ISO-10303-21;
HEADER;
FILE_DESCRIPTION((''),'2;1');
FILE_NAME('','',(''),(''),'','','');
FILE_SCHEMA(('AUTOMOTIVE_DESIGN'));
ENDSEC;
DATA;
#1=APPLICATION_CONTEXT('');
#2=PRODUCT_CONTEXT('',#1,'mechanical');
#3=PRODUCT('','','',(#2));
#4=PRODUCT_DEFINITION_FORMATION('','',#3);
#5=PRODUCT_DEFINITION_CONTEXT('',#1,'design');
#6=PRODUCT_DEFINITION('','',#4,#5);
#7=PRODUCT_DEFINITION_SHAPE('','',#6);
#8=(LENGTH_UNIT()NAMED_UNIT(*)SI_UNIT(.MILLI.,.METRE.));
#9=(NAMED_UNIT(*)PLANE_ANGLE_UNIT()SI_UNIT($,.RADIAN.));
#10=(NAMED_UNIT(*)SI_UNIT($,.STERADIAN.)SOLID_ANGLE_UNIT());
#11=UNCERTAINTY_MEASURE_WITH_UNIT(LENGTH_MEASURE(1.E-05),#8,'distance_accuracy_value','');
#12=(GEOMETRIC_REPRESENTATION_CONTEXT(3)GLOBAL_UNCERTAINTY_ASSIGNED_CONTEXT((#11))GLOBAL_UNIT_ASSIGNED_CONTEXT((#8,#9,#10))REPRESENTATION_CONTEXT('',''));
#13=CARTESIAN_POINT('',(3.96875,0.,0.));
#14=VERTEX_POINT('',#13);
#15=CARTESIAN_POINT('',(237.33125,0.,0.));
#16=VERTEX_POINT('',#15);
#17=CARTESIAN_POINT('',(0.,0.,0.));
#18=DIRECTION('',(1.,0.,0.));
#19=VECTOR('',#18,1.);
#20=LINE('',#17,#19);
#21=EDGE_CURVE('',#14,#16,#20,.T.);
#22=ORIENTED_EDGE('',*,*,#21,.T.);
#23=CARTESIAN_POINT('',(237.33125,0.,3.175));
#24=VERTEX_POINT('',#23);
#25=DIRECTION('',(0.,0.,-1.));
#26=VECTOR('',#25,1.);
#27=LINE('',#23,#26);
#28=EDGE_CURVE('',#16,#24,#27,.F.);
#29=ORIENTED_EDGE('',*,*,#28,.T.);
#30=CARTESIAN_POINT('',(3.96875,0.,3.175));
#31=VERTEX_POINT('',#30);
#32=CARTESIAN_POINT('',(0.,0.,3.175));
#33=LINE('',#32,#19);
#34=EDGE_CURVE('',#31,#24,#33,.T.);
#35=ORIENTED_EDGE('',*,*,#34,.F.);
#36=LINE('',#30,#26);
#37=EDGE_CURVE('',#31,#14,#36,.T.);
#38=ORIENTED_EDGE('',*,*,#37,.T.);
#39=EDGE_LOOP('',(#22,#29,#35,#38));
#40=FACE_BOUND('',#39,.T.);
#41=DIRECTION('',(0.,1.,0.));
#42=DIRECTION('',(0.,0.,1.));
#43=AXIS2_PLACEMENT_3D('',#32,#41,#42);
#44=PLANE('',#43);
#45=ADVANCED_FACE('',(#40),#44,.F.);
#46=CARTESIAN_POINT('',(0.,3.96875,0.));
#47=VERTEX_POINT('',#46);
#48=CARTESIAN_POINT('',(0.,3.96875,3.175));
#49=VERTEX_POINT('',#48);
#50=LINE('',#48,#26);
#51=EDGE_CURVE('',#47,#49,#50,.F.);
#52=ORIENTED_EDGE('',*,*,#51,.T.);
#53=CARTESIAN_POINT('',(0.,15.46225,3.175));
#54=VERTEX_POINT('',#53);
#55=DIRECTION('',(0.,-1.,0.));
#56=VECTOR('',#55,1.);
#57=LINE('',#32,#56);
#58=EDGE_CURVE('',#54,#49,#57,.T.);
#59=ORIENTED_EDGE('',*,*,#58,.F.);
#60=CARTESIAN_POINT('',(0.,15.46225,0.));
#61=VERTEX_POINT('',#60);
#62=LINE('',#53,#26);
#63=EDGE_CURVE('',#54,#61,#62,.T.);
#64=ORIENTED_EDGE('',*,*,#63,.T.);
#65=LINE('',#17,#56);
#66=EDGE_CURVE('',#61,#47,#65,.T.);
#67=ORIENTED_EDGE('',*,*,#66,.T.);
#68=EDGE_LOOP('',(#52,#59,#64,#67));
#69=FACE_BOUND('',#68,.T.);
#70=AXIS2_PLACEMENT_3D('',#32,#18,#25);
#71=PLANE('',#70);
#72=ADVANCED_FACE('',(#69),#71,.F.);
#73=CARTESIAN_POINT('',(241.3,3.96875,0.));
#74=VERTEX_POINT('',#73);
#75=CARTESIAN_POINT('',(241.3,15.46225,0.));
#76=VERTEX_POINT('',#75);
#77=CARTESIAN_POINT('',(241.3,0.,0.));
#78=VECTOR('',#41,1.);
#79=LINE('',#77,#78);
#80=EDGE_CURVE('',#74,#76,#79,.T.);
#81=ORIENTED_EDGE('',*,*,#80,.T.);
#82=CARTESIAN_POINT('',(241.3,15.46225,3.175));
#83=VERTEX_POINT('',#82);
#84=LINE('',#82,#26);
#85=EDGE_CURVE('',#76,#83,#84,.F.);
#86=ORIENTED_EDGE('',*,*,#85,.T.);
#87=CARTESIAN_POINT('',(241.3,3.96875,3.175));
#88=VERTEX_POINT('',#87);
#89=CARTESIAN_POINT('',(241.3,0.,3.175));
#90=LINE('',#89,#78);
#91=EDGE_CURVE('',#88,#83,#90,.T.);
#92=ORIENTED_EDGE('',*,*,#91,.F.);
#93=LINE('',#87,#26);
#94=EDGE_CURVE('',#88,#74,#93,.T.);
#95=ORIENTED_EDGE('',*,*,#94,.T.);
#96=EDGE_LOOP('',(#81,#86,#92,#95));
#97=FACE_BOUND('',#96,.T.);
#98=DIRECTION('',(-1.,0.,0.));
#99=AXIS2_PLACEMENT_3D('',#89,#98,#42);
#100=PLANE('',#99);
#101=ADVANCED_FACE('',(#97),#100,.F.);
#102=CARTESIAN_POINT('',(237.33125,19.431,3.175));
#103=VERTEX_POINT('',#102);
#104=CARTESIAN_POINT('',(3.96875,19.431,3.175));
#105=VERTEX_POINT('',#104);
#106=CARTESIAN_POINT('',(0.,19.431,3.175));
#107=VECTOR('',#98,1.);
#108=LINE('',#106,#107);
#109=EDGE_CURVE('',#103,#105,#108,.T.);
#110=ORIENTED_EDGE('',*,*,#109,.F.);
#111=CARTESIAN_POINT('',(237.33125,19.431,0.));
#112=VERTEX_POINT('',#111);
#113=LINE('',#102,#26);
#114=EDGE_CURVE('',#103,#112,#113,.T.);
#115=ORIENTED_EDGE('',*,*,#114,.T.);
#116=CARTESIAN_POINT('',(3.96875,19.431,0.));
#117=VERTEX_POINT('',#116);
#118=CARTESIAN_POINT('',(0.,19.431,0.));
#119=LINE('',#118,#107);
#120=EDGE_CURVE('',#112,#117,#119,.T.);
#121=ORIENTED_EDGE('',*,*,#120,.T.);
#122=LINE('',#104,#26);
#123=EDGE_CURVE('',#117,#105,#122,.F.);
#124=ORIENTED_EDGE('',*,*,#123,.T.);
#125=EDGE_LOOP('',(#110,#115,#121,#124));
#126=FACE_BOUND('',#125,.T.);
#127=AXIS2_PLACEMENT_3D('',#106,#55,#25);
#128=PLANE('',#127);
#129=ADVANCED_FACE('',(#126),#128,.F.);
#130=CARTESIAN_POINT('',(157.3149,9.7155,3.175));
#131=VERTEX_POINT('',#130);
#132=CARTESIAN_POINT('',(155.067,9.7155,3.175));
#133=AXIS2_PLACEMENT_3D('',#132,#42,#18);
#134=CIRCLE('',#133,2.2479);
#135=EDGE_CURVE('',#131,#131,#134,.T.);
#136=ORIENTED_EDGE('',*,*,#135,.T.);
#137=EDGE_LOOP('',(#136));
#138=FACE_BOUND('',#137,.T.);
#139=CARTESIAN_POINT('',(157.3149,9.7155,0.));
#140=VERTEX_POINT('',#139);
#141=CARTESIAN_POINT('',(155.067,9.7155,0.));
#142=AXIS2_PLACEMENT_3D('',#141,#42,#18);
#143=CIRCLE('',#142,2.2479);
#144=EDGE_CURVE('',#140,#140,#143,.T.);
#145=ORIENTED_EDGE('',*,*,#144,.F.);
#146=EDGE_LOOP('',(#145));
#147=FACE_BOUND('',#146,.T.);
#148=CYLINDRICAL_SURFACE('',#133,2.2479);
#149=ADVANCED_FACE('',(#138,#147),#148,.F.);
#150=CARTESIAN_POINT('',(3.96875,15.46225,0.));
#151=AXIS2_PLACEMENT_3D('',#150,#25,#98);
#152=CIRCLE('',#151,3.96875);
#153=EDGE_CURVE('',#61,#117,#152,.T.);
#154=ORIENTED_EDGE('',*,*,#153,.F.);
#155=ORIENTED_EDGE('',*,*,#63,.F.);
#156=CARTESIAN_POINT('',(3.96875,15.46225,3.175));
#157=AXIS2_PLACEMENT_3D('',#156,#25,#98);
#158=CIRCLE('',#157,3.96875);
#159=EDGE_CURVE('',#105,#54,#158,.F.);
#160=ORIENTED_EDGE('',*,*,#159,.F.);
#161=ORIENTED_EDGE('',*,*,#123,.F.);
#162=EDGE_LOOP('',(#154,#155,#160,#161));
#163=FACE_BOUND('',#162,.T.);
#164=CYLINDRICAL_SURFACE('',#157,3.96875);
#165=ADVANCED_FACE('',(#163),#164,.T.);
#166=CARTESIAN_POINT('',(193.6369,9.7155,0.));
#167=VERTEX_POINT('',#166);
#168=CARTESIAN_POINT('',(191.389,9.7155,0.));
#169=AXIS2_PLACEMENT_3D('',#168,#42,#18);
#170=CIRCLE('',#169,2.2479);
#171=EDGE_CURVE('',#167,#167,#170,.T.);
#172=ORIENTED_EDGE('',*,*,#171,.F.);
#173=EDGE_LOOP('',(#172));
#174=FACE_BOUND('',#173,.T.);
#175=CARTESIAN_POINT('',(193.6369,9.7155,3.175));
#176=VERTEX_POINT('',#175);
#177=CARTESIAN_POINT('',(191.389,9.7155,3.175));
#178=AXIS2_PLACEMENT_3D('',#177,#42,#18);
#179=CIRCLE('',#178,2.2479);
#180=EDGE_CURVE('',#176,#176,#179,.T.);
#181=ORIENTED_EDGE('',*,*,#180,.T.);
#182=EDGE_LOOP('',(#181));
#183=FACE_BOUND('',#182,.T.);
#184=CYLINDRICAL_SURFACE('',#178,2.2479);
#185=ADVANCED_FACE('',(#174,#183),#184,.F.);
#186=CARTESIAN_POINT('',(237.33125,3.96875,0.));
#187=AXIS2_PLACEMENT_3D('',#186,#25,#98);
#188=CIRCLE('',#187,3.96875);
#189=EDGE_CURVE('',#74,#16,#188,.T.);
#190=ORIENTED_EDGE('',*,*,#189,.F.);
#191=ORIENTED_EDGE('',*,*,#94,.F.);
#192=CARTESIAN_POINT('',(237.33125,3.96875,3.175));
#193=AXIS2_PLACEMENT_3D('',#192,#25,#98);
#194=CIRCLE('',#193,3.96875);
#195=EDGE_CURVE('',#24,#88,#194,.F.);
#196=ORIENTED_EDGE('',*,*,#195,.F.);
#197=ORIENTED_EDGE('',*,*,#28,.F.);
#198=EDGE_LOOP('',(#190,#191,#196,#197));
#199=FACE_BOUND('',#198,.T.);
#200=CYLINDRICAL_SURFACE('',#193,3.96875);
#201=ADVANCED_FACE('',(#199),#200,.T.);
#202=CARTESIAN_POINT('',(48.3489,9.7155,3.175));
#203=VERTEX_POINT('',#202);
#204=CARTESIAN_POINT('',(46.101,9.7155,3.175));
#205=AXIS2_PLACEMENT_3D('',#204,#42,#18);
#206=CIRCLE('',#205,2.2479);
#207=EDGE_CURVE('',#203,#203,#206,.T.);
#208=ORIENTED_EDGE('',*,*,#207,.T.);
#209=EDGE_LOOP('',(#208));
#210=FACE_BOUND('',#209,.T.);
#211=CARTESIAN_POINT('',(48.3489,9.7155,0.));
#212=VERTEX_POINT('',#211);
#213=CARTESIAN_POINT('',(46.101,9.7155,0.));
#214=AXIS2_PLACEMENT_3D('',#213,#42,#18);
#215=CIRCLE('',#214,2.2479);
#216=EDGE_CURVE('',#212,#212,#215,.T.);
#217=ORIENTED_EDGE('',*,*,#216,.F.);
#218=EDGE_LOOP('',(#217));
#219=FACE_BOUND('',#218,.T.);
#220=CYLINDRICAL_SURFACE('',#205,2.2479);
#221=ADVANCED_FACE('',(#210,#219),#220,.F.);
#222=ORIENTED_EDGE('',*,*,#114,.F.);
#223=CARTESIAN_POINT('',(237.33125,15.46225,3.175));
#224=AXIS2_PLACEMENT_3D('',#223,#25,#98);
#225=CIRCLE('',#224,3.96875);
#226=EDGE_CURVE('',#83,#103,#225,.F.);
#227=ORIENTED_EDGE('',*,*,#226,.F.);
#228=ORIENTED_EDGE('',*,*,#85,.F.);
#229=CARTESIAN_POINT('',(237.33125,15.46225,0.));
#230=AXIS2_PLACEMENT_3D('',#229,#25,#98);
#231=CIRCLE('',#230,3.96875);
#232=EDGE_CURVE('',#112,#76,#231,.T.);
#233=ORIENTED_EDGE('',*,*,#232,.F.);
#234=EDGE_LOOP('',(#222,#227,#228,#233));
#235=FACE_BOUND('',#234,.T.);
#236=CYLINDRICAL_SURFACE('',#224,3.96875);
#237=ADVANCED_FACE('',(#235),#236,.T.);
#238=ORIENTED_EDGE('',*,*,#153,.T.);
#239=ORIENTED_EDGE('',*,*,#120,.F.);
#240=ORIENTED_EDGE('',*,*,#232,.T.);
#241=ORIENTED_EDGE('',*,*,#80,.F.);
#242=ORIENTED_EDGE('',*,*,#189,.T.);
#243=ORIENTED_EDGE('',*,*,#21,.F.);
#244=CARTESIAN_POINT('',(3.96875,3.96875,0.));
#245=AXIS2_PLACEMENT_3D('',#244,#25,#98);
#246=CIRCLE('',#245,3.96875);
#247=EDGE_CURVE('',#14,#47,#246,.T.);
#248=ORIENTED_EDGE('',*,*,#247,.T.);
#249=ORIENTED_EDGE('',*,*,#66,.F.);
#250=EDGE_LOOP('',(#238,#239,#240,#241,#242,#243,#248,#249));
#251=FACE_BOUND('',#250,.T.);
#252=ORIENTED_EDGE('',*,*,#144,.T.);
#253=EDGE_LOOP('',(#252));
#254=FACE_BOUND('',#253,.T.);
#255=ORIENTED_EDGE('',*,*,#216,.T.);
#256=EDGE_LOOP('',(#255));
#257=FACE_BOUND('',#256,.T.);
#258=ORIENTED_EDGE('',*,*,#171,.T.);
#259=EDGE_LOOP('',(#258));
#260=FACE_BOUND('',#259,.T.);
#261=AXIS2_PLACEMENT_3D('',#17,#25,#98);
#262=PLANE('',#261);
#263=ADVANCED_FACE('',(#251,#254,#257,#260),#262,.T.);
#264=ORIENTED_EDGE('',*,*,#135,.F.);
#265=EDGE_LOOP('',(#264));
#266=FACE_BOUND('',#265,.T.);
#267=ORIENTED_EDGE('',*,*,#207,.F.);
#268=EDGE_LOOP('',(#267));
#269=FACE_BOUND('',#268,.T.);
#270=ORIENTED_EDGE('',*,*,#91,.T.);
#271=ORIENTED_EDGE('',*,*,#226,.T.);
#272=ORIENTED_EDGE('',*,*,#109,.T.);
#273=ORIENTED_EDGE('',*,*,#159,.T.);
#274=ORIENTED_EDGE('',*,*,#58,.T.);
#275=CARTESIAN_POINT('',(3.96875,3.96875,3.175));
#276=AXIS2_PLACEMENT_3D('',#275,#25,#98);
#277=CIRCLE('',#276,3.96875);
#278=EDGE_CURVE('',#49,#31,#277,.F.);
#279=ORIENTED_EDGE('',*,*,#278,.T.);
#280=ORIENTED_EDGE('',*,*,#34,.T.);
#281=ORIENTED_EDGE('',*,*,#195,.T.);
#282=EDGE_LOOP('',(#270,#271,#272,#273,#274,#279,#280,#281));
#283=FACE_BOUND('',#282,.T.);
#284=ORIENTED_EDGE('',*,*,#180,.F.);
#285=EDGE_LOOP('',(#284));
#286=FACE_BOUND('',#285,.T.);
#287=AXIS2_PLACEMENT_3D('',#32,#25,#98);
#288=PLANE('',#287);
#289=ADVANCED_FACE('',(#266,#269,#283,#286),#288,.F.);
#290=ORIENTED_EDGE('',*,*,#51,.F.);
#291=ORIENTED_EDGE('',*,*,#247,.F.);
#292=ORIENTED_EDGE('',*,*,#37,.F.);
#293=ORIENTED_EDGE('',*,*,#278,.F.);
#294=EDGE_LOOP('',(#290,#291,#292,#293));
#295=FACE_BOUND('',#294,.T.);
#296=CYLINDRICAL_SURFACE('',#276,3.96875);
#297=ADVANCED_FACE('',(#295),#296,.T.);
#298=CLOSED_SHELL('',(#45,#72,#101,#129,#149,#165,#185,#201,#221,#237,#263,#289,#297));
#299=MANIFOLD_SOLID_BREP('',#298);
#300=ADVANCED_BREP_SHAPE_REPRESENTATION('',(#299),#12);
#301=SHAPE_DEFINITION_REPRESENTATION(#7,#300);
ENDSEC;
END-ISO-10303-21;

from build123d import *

# Parameters (mm, degrees)
SKETCH1_W             = 241.3
SKETCH1_H             = 19.431
BOSS_EXTRUDE1_DEPTH   = 3.175
F_8_CLEARANCE_HOLE1_D = 4.4958
FILLET1_R             = 3.96875


with BuildPart() as part:
    # Sketch1 → Boss-Extrude1 (new body)
    with BuildSketch(Plane.XY):
        with Locations((120.65, 9.7155)):
            Rectangle(SKETCH1_W, SKETCH1_H)
    extrude(amount=BOSS_EXTRUDE1_DEPTH)

    # #8 Clearance Hole1 (through all)
    with Locations(Plane.XY.offset(3.175)):
        with Locations((46.101, 9.7155), (155.067, 9.7155), (191.389, 9.7155)):
            Hole(F_8_CLEARANCE_HOLE1_D / 2)

    # Fillet1
    fillet1_edges = [part.edges().sort_by_distance(p)[0] for p in [
        (0, 19.431, 1.5875),
        (241.3, 19.431, 1.5875),
        (241.3, 0, 1.5875),
        (0, 0, 1.5875),
    ]]
    fillet(fillet1_edges, radius=FILLET1_R)


solid = part.part
